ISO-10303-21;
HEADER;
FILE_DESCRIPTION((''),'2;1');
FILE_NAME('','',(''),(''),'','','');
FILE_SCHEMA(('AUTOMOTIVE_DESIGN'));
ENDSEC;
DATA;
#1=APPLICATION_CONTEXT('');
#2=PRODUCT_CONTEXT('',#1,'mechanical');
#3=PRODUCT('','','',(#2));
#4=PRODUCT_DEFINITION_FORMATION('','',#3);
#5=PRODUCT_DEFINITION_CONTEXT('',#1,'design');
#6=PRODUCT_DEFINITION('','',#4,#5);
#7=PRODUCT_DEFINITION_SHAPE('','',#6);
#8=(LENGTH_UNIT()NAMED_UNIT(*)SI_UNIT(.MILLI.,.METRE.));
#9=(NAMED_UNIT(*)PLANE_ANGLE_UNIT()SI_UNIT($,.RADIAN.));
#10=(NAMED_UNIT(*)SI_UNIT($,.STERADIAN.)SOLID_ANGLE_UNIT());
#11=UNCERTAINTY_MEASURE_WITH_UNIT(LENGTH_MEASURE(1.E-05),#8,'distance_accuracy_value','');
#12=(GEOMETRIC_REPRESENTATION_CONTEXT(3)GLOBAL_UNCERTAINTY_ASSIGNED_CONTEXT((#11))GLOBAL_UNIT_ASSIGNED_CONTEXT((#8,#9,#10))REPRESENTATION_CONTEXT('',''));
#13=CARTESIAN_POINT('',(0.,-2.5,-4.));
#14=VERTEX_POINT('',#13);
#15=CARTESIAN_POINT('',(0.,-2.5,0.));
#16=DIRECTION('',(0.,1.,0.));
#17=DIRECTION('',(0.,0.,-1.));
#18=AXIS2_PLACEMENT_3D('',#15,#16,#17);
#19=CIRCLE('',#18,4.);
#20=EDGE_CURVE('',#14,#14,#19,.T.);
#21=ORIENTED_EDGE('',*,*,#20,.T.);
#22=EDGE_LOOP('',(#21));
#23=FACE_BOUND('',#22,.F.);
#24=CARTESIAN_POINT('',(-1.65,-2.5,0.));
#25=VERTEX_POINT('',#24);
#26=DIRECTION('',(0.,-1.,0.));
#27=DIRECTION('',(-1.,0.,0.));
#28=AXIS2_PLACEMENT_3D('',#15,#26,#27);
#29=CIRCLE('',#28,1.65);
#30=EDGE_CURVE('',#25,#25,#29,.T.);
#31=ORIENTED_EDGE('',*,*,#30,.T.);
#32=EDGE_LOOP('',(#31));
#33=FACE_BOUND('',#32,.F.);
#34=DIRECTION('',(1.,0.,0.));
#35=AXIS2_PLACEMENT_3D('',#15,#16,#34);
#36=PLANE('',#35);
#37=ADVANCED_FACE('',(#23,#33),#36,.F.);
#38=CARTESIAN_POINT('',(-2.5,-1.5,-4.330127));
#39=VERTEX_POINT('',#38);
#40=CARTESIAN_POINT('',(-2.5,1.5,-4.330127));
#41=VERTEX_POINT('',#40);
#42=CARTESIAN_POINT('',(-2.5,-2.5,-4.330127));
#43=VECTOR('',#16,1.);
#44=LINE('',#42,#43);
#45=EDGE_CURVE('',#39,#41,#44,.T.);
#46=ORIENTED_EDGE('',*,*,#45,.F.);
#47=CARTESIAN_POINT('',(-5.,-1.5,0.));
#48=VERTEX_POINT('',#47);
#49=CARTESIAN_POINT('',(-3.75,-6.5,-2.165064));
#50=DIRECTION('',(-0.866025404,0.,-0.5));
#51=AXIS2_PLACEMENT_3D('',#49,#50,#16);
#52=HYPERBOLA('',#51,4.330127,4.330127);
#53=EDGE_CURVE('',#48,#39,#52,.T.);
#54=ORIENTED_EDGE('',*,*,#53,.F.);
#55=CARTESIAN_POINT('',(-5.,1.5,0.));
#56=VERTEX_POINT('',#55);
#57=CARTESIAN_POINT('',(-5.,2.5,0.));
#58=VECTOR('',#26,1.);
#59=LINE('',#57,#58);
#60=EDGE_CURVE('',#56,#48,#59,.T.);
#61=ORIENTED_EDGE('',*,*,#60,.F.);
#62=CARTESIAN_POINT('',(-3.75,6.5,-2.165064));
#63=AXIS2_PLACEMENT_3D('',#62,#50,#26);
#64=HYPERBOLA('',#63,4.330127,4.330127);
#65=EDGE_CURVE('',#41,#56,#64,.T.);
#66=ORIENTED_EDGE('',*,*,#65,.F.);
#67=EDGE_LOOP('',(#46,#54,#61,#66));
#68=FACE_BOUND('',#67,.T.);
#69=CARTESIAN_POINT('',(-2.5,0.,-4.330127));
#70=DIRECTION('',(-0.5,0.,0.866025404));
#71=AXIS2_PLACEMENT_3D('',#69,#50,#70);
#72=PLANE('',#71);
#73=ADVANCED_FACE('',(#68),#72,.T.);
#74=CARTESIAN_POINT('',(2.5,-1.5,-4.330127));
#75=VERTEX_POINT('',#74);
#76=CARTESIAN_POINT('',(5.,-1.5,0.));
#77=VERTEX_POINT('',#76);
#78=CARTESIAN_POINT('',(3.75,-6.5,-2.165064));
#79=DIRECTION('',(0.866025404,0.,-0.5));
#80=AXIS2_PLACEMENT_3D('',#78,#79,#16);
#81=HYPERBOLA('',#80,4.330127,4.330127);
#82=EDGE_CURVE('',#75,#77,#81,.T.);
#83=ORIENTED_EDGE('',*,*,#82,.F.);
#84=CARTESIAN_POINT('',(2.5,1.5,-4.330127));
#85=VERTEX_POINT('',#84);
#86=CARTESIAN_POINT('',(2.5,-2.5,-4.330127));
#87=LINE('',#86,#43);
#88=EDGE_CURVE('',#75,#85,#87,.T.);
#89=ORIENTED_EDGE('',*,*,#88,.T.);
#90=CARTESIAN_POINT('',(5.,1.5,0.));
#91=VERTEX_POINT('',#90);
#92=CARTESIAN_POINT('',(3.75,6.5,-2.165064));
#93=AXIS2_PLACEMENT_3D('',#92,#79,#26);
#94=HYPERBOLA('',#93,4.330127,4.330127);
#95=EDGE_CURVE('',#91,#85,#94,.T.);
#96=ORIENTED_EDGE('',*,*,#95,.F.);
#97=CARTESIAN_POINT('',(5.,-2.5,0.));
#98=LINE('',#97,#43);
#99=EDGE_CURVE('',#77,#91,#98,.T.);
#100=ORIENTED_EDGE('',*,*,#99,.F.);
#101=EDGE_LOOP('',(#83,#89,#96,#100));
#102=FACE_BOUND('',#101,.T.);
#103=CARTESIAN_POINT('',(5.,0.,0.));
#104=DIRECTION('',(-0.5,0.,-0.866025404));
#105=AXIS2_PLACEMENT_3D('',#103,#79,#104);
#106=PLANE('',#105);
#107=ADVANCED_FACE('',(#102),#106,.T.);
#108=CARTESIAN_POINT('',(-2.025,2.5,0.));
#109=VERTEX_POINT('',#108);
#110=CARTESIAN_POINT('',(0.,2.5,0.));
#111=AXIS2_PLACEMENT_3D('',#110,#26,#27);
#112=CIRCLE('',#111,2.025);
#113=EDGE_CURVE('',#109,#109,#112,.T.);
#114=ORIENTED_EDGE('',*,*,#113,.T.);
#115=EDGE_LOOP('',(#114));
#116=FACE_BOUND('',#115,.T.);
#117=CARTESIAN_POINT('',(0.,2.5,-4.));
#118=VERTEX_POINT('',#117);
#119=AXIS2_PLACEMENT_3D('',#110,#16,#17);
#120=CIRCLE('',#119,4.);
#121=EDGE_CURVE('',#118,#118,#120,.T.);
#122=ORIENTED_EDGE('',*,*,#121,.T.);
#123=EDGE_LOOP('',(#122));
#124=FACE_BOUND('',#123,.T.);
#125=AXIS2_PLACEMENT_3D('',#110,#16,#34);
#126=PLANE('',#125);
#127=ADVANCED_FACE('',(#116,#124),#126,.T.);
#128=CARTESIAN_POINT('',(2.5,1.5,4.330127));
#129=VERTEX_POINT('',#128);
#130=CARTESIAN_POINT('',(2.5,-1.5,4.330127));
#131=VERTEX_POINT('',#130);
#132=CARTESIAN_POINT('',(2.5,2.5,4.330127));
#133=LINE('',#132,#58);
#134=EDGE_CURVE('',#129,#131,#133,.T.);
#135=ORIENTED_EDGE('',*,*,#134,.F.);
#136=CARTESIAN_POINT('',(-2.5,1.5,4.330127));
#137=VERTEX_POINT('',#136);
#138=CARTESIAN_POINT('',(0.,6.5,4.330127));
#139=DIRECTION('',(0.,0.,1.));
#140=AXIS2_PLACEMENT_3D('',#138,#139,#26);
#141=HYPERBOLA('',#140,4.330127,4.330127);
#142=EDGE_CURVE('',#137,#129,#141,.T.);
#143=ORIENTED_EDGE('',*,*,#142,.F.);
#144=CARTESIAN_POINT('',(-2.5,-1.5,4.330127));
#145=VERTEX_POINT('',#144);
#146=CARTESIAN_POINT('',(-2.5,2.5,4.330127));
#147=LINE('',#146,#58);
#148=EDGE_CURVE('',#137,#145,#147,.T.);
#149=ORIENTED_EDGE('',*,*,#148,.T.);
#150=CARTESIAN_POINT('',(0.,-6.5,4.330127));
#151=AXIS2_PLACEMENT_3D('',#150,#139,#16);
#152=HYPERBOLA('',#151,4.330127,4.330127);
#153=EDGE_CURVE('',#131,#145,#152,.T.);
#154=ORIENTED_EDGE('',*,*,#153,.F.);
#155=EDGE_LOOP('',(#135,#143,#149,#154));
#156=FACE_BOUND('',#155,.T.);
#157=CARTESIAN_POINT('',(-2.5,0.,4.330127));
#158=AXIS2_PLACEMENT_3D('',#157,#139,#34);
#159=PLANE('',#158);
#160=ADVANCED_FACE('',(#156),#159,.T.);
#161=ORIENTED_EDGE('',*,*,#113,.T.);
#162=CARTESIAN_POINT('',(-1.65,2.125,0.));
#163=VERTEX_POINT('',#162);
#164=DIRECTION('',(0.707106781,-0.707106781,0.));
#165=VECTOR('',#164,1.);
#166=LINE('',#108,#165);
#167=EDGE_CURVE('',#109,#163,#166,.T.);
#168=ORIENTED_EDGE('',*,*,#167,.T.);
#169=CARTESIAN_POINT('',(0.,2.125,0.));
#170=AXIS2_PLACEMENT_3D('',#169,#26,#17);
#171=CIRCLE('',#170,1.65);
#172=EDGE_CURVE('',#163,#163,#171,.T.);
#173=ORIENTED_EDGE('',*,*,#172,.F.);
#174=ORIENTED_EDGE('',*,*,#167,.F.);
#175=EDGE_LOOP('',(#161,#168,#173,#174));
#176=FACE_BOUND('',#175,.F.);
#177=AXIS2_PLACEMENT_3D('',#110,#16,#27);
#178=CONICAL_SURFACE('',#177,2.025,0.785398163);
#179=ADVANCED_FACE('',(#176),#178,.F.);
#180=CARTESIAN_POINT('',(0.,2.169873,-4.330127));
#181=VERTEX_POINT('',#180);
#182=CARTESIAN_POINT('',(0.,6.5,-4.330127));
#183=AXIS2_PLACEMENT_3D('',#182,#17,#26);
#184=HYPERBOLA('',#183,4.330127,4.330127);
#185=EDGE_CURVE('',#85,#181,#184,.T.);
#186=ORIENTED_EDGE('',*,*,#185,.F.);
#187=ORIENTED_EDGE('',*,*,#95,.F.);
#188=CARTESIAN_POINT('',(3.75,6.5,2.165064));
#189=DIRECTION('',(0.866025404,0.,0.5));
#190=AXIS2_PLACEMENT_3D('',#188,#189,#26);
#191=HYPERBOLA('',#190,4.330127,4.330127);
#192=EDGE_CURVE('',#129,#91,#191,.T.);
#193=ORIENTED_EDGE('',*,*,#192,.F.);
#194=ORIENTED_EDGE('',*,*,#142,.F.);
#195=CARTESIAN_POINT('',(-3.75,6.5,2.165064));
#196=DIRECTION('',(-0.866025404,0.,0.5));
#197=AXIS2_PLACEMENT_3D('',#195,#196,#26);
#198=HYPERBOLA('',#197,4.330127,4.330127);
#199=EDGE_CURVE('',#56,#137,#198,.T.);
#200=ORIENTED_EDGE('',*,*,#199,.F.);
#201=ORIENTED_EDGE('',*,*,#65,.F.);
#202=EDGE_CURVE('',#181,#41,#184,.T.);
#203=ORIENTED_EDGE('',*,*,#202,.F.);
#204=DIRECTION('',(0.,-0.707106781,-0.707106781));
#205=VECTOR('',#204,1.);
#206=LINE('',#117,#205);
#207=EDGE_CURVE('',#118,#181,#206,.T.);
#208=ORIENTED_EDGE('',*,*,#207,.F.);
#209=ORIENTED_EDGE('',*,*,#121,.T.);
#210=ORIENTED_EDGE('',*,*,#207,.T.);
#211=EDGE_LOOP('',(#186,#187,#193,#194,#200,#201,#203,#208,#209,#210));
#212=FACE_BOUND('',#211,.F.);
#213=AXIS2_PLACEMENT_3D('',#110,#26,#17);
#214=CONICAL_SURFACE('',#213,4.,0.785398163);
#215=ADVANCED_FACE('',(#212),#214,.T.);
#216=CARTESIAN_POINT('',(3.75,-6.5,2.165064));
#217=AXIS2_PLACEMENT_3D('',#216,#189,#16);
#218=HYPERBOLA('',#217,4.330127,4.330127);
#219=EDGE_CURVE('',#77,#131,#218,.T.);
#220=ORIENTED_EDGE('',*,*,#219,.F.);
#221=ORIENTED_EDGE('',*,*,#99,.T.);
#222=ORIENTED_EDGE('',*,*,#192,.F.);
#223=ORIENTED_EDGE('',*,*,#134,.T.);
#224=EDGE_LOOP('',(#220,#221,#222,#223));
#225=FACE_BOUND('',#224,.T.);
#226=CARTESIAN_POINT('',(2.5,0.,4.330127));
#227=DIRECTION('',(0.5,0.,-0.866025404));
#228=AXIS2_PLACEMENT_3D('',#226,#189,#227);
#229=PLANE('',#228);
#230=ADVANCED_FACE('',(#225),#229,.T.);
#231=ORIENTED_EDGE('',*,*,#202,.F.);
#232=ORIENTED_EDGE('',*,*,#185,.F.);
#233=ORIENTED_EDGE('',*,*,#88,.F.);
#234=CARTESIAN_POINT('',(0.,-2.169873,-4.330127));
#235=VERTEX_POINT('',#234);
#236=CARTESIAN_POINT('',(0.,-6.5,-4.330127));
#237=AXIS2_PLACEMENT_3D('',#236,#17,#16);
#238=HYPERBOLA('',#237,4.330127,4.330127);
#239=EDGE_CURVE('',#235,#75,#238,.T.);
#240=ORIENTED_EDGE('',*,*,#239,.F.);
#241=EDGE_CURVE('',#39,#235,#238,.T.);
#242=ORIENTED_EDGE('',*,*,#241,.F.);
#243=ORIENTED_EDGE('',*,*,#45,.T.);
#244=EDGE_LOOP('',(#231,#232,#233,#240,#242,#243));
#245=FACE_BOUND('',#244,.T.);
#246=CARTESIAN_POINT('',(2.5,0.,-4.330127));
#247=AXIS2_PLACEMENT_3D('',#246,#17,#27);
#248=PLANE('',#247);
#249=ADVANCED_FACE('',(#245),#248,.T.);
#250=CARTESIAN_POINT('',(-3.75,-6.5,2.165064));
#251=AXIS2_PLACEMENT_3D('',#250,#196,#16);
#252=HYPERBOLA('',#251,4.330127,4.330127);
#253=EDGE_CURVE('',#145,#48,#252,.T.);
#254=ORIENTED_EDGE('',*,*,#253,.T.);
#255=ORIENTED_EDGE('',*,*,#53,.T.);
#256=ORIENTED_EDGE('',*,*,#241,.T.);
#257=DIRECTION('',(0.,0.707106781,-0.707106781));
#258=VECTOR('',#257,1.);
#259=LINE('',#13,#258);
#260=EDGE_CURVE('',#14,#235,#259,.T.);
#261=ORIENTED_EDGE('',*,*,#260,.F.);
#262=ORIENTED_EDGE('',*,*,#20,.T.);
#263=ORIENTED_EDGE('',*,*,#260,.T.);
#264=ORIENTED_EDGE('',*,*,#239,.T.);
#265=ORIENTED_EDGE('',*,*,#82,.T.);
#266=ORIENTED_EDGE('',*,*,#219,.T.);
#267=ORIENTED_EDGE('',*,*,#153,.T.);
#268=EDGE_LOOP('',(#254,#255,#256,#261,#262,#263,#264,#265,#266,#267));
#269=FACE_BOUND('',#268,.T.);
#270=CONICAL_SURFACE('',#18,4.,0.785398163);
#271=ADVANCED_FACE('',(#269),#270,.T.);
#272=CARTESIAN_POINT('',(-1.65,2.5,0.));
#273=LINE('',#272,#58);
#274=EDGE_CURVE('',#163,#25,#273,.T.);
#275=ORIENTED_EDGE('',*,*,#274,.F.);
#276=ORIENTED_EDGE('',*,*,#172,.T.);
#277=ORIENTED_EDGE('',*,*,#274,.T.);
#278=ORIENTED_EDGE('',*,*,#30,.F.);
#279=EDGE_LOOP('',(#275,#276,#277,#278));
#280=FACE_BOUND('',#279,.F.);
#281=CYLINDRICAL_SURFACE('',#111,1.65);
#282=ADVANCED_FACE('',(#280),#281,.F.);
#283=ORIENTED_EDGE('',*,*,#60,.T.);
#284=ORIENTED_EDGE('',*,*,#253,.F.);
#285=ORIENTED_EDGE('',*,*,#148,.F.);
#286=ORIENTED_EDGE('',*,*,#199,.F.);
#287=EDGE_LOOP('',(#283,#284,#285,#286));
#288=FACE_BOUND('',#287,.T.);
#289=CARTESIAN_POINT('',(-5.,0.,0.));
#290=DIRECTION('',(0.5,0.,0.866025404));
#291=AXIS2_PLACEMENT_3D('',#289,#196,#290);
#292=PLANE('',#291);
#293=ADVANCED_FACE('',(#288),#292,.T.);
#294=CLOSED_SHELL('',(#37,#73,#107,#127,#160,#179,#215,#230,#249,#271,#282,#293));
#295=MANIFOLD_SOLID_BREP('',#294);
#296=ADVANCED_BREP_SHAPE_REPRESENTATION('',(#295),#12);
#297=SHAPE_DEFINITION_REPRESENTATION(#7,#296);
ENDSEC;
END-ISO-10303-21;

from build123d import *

# Parameters (mm, degrees)
BOSS_EXTRUDE1_DEPTH             = 2.5
M4X0_7_TAPPED_HOLE1_D           = 3.3
M4X0_7_TAPPED_HOLE1_DEPTH       = 9.108579979
M4X0_7_TAPPED_HOLE1_CSINK_D     = 4.05
M4X0_7_TAPPED_HOLE1_CSINK_ANGLE = 90
M4X0_7_TAPPED_HOLE1_TIP         = 0.991420021


with BuildPart() as part:
    # Sketch1 → Boss-Extrude1 (new, symmetric)
    with BuildSketch(Plane(origin=(0, 0, 0), x_dir=(1, 0, 0), z_dir=(0, 1, 0))):
        Polygon((2.5, -4.330127019), (5, 0), (2.5, 4.330127019), (-2.5, 4.330127019), (-5, 0), (-2.5, -4.330127019), align=None)
    extrude(amount=BOSS_EXTRUDE1_DEPTH, both=True)

    # Sketch2 → Cut-Revolve1 (revolve, cut)
    with BuildSketch(Plane.XY, mode=Mode.PRIVATE) as cut_revolve1_sk:
        Polygon((4, 2.5), (5, 1.5), (5, 2.5), align=None)
    cut_revolve1 = revolve(cut_revolve1_sk.sketch.rotate(Axis((0, 0, 0), (0, 1, 0)), 90), axis=Axis((0, 0, 0), (0, 1, 0)), mode=Mode.SUBTRACT)

    # Mirror1: Cut-Revolve1 across plane
    add(cut_revolve1.mirror(Plane.ZX), mode=Mode.SUBTRACT)

    # M4x0.7 Tapped Hole1
    with Locations(Plane(origin=(0, 2.5, 0), x_dir=(1, 0, 0), z_dir=(0, 1, 0))):
        with Locations((0, 0)):
            CounterSinkHole(M4X0_7_TAPPED_HOLE1_D / 2, M4X0_7_TAPPED_HOLE1_CSINK_D / 2, depth=M4X0_7_TAPPED_HOLE1_DEPTH, counter_sink_angle=M4X0_7_TAPPED_HOLE1_CSINK_ANGLE)
            with Locations((0, 0, -(M4X0_7_TAPPED_HOLE1_DEPTH + M4X0_7_TAPPED_HOLE1_TIP / 2))):  # 118° drill point
                Cone(0, M4X0_7_TAPPED_HOLE1_D / 2, M4X0_7_TAPPED_HOLE1_TIP, mode=Mode.SUBTRACT)


solid = part.part
